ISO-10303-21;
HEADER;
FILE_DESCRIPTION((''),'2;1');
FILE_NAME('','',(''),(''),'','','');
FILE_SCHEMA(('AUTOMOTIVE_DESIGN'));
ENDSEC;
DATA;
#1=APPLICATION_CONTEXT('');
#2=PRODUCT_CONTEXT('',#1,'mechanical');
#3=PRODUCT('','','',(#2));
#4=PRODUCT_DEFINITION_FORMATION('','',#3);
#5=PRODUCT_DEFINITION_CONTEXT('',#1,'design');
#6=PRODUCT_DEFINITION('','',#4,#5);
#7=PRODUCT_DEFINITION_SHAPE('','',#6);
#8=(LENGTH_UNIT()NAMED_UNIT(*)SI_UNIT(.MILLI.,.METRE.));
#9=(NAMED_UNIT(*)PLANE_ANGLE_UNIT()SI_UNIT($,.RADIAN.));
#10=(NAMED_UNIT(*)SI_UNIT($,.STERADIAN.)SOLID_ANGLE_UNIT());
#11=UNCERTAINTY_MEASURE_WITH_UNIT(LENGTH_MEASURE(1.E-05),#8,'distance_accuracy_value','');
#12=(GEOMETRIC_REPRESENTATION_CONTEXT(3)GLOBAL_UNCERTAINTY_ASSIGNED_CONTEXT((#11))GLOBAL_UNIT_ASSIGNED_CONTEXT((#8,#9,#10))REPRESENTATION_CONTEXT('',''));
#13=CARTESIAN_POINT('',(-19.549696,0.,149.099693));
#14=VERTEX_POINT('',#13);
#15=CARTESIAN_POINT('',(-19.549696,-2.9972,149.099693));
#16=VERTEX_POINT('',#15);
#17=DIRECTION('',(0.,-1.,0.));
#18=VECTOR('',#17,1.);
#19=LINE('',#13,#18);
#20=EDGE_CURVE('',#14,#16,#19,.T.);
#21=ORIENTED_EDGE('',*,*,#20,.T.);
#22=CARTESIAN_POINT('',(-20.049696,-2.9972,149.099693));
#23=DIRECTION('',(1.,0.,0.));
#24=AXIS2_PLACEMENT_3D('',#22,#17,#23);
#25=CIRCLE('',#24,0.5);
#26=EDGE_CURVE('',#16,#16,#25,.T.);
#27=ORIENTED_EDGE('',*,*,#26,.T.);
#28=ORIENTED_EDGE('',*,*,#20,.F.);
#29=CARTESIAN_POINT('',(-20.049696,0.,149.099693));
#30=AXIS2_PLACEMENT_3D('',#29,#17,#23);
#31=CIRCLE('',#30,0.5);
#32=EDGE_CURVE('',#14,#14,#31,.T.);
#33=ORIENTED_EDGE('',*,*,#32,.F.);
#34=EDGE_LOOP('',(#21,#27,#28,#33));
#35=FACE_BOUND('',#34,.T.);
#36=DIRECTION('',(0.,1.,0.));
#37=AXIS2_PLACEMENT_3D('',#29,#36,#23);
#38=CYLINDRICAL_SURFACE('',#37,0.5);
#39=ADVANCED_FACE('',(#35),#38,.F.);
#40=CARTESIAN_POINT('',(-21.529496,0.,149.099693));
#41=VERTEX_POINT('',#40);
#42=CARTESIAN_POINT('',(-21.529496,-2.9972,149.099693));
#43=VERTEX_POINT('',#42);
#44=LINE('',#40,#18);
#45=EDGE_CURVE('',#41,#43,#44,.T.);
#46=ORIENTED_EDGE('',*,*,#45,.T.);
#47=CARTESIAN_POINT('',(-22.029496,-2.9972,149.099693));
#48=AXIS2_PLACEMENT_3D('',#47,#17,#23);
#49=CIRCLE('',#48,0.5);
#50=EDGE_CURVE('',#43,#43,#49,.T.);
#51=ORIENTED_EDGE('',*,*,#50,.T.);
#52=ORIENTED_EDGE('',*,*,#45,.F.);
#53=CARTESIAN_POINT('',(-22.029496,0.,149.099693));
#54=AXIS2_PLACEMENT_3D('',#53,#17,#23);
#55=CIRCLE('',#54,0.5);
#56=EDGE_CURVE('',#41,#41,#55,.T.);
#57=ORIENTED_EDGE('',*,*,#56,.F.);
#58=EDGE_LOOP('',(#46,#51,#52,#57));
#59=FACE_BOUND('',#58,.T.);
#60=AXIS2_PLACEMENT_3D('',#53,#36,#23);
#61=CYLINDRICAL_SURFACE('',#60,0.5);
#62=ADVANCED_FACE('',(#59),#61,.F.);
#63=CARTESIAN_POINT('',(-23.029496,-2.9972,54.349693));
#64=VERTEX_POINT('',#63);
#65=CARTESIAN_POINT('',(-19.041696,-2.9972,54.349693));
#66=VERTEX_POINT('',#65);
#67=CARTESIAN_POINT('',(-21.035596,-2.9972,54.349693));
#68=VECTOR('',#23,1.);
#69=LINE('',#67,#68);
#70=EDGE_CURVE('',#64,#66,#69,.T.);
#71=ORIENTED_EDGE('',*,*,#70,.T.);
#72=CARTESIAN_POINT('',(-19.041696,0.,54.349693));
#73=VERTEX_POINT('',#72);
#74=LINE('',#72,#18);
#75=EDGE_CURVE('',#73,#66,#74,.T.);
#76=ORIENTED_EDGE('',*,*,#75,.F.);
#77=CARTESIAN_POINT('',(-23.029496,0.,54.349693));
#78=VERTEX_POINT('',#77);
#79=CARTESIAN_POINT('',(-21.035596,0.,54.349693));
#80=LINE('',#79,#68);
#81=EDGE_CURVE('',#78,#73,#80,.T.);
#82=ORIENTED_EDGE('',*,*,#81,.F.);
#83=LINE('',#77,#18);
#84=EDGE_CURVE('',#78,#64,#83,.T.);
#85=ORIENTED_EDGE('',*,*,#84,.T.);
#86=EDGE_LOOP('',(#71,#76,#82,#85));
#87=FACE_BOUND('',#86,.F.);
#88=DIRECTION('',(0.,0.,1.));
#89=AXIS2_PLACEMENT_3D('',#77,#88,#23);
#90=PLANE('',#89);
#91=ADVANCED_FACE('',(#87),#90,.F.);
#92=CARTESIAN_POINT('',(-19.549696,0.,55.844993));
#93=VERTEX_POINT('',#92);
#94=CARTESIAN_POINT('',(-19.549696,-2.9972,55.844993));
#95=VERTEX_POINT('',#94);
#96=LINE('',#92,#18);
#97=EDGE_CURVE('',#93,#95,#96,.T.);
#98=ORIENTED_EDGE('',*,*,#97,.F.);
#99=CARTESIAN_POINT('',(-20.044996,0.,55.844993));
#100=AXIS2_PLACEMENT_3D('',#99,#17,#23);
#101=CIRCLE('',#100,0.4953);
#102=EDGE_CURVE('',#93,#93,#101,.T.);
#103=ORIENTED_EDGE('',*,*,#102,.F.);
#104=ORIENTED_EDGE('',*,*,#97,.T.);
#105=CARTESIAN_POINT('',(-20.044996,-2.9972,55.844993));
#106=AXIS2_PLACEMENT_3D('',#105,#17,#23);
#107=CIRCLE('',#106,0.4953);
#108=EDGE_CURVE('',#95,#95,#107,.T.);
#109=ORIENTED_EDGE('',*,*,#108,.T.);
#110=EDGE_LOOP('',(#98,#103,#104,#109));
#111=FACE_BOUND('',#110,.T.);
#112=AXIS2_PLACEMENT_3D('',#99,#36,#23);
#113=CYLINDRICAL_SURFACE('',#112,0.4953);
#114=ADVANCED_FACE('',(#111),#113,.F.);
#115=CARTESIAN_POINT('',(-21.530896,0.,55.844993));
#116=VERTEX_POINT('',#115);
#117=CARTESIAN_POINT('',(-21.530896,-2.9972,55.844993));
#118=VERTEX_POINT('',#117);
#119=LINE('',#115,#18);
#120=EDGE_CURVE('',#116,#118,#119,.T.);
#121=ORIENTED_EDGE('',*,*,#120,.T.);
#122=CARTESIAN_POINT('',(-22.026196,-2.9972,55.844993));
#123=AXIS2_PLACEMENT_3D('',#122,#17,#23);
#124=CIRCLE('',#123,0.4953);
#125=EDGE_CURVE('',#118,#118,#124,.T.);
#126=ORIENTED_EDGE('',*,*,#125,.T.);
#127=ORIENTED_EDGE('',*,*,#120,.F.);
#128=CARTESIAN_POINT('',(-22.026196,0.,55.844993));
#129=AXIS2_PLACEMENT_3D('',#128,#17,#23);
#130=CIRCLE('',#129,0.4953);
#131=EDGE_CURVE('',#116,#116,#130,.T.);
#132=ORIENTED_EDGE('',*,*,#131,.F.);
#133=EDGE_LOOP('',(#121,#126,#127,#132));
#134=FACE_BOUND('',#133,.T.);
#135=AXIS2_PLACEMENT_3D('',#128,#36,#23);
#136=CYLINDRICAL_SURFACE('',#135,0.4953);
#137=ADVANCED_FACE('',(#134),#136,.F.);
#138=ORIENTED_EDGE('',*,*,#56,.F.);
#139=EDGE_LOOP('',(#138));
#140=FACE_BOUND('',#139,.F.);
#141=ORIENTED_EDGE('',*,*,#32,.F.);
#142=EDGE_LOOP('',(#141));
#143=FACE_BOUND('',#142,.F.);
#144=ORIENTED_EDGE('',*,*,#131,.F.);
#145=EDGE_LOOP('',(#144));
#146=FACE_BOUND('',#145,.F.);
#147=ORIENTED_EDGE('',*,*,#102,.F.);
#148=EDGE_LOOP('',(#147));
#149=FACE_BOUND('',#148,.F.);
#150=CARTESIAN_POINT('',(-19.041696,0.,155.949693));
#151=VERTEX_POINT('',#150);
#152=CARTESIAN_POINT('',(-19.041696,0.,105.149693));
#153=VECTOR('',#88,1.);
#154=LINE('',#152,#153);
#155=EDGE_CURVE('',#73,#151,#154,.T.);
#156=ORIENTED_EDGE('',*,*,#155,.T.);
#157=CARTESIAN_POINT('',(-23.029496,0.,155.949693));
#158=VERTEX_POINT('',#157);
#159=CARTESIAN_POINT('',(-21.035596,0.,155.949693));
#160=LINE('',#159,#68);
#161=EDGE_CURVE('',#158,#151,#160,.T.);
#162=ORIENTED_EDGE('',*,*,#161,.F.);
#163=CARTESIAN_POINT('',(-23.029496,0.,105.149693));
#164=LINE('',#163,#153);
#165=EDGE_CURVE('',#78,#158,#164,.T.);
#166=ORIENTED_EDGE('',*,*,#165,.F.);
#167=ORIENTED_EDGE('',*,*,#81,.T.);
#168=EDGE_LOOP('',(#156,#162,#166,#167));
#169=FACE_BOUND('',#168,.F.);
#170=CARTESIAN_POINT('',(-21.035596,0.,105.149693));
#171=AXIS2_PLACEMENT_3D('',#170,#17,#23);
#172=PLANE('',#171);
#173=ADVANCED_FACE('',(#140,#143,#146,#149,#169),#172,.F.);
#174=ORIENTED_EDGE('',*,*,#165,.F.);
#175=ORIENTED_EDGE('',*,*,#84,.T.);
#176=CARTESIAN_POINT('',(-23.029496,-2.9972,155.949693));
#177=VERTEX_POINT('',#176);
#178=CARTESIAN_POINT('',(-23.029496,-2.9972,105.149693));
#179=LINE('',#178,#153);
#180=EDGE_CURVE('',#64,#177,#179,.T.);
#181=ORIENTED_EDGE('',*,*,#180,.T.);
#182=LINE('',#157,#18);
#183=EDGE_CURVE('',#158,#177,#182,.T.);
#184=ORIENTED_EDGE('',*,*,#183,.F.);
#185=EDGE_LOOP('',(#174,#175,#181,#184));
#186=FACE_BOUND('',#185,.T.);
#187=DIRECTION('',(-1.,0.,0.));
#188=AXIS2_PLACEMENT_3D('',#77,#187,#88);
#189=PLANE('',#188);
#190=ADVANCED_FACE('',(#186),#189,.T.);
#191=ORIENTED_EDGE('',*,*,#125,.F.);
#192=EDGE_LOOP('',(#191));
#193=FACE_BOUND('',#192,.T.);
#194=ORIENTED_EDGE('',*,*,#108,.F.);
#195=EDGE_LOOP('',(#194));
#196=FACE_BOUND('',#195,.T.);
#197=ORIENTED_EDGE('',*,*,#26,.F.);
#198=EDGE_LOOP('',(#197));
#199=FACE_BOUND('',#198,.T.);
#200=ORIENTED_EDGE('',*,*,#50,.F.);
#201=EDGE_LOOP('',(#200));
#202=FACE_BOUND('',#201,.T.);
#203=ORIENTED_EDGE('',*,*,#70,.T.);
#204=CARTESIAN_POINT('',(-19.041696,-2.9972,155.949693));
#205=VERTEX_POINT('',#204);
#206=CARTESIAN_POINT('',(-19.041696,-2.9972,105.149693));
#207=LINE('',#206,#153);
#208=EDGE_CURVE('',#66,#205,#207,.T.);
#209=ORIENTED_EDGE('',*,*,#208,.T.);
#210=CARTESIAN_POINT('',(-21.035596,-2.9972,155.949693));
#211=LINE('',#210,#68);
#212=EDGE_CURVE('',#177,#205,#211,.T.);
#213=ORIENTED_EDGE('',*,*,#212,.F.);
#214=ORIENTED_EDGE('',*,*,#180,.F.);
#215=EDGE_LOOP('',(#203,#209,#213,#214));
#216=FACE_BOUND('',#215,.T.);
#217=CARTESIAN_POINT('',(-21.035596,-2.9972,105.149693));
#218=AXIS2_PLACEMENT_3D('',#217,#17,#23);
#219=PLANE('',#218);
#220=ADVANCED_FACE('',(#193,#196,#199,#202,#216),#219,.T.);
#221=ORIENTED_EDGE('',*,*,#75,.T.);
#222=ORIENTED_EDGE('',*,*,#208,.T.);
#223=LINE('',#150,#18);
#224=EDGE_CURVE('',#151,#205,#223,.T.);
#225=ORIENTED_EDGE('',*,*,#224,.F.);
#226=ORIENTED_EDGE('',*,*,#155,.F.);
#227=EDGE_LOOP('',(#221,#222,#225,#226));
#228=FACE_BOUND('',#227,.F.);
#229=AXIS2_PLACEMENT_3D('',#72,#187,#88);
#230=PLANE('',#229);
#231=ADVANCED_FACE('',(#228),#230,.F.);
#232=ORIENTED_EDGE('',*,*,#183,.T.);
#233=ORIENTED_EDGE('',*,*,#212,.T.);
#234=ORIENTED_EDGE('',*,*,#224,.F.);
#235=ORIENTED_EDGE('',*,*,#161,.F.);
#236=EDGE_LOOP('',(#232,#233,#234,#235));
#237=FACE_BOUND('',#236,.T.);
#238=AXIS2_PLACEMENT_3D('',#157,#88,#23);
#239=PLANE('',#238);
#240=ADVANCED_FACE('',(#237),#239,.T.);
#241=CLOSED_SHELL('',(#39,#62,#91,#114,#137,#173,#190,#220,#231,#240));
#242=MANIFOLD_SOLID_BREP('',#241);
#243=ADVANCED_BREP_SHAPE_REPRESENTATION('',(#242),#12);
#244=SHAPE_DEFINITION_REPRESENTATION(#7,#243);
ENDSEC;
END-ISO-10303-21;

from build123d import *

# Parameters (mm, degrees)
F0_W     = 3.9878
F0_H     = 101.6
F0_R     = 0.4953
F0_R_2   = 0.5
F1_DEPTH = 2.9972


with BuildPart() as f1:
    # F0 (on Front) → F1 (new body)
    with BuildSketch(Plane.XZ):
        with Locations((-21.035596, 105.149693)):
            Rectangle(F0_W, F0_H)
        with Locations((-22.026196, 55.844993)):
            Circle(F0_R, mode=Mode.SUBTRACT)
        with Locations((-20.044996, 55.844993)):
            Circle(F0_R, mode=Mode.SUBTRACT)
        with Locations((-22.029496, 149.099693)):
            Circle(F0_R_2, mode=Mode.SUBTRACT)
        with Locations((-20.049696, 149.099693)):
            Circle(F0_R_2, mode=Mode.SUBTRACT)
    extrude(amount=F1_DEPTH)


solid = f1.part
